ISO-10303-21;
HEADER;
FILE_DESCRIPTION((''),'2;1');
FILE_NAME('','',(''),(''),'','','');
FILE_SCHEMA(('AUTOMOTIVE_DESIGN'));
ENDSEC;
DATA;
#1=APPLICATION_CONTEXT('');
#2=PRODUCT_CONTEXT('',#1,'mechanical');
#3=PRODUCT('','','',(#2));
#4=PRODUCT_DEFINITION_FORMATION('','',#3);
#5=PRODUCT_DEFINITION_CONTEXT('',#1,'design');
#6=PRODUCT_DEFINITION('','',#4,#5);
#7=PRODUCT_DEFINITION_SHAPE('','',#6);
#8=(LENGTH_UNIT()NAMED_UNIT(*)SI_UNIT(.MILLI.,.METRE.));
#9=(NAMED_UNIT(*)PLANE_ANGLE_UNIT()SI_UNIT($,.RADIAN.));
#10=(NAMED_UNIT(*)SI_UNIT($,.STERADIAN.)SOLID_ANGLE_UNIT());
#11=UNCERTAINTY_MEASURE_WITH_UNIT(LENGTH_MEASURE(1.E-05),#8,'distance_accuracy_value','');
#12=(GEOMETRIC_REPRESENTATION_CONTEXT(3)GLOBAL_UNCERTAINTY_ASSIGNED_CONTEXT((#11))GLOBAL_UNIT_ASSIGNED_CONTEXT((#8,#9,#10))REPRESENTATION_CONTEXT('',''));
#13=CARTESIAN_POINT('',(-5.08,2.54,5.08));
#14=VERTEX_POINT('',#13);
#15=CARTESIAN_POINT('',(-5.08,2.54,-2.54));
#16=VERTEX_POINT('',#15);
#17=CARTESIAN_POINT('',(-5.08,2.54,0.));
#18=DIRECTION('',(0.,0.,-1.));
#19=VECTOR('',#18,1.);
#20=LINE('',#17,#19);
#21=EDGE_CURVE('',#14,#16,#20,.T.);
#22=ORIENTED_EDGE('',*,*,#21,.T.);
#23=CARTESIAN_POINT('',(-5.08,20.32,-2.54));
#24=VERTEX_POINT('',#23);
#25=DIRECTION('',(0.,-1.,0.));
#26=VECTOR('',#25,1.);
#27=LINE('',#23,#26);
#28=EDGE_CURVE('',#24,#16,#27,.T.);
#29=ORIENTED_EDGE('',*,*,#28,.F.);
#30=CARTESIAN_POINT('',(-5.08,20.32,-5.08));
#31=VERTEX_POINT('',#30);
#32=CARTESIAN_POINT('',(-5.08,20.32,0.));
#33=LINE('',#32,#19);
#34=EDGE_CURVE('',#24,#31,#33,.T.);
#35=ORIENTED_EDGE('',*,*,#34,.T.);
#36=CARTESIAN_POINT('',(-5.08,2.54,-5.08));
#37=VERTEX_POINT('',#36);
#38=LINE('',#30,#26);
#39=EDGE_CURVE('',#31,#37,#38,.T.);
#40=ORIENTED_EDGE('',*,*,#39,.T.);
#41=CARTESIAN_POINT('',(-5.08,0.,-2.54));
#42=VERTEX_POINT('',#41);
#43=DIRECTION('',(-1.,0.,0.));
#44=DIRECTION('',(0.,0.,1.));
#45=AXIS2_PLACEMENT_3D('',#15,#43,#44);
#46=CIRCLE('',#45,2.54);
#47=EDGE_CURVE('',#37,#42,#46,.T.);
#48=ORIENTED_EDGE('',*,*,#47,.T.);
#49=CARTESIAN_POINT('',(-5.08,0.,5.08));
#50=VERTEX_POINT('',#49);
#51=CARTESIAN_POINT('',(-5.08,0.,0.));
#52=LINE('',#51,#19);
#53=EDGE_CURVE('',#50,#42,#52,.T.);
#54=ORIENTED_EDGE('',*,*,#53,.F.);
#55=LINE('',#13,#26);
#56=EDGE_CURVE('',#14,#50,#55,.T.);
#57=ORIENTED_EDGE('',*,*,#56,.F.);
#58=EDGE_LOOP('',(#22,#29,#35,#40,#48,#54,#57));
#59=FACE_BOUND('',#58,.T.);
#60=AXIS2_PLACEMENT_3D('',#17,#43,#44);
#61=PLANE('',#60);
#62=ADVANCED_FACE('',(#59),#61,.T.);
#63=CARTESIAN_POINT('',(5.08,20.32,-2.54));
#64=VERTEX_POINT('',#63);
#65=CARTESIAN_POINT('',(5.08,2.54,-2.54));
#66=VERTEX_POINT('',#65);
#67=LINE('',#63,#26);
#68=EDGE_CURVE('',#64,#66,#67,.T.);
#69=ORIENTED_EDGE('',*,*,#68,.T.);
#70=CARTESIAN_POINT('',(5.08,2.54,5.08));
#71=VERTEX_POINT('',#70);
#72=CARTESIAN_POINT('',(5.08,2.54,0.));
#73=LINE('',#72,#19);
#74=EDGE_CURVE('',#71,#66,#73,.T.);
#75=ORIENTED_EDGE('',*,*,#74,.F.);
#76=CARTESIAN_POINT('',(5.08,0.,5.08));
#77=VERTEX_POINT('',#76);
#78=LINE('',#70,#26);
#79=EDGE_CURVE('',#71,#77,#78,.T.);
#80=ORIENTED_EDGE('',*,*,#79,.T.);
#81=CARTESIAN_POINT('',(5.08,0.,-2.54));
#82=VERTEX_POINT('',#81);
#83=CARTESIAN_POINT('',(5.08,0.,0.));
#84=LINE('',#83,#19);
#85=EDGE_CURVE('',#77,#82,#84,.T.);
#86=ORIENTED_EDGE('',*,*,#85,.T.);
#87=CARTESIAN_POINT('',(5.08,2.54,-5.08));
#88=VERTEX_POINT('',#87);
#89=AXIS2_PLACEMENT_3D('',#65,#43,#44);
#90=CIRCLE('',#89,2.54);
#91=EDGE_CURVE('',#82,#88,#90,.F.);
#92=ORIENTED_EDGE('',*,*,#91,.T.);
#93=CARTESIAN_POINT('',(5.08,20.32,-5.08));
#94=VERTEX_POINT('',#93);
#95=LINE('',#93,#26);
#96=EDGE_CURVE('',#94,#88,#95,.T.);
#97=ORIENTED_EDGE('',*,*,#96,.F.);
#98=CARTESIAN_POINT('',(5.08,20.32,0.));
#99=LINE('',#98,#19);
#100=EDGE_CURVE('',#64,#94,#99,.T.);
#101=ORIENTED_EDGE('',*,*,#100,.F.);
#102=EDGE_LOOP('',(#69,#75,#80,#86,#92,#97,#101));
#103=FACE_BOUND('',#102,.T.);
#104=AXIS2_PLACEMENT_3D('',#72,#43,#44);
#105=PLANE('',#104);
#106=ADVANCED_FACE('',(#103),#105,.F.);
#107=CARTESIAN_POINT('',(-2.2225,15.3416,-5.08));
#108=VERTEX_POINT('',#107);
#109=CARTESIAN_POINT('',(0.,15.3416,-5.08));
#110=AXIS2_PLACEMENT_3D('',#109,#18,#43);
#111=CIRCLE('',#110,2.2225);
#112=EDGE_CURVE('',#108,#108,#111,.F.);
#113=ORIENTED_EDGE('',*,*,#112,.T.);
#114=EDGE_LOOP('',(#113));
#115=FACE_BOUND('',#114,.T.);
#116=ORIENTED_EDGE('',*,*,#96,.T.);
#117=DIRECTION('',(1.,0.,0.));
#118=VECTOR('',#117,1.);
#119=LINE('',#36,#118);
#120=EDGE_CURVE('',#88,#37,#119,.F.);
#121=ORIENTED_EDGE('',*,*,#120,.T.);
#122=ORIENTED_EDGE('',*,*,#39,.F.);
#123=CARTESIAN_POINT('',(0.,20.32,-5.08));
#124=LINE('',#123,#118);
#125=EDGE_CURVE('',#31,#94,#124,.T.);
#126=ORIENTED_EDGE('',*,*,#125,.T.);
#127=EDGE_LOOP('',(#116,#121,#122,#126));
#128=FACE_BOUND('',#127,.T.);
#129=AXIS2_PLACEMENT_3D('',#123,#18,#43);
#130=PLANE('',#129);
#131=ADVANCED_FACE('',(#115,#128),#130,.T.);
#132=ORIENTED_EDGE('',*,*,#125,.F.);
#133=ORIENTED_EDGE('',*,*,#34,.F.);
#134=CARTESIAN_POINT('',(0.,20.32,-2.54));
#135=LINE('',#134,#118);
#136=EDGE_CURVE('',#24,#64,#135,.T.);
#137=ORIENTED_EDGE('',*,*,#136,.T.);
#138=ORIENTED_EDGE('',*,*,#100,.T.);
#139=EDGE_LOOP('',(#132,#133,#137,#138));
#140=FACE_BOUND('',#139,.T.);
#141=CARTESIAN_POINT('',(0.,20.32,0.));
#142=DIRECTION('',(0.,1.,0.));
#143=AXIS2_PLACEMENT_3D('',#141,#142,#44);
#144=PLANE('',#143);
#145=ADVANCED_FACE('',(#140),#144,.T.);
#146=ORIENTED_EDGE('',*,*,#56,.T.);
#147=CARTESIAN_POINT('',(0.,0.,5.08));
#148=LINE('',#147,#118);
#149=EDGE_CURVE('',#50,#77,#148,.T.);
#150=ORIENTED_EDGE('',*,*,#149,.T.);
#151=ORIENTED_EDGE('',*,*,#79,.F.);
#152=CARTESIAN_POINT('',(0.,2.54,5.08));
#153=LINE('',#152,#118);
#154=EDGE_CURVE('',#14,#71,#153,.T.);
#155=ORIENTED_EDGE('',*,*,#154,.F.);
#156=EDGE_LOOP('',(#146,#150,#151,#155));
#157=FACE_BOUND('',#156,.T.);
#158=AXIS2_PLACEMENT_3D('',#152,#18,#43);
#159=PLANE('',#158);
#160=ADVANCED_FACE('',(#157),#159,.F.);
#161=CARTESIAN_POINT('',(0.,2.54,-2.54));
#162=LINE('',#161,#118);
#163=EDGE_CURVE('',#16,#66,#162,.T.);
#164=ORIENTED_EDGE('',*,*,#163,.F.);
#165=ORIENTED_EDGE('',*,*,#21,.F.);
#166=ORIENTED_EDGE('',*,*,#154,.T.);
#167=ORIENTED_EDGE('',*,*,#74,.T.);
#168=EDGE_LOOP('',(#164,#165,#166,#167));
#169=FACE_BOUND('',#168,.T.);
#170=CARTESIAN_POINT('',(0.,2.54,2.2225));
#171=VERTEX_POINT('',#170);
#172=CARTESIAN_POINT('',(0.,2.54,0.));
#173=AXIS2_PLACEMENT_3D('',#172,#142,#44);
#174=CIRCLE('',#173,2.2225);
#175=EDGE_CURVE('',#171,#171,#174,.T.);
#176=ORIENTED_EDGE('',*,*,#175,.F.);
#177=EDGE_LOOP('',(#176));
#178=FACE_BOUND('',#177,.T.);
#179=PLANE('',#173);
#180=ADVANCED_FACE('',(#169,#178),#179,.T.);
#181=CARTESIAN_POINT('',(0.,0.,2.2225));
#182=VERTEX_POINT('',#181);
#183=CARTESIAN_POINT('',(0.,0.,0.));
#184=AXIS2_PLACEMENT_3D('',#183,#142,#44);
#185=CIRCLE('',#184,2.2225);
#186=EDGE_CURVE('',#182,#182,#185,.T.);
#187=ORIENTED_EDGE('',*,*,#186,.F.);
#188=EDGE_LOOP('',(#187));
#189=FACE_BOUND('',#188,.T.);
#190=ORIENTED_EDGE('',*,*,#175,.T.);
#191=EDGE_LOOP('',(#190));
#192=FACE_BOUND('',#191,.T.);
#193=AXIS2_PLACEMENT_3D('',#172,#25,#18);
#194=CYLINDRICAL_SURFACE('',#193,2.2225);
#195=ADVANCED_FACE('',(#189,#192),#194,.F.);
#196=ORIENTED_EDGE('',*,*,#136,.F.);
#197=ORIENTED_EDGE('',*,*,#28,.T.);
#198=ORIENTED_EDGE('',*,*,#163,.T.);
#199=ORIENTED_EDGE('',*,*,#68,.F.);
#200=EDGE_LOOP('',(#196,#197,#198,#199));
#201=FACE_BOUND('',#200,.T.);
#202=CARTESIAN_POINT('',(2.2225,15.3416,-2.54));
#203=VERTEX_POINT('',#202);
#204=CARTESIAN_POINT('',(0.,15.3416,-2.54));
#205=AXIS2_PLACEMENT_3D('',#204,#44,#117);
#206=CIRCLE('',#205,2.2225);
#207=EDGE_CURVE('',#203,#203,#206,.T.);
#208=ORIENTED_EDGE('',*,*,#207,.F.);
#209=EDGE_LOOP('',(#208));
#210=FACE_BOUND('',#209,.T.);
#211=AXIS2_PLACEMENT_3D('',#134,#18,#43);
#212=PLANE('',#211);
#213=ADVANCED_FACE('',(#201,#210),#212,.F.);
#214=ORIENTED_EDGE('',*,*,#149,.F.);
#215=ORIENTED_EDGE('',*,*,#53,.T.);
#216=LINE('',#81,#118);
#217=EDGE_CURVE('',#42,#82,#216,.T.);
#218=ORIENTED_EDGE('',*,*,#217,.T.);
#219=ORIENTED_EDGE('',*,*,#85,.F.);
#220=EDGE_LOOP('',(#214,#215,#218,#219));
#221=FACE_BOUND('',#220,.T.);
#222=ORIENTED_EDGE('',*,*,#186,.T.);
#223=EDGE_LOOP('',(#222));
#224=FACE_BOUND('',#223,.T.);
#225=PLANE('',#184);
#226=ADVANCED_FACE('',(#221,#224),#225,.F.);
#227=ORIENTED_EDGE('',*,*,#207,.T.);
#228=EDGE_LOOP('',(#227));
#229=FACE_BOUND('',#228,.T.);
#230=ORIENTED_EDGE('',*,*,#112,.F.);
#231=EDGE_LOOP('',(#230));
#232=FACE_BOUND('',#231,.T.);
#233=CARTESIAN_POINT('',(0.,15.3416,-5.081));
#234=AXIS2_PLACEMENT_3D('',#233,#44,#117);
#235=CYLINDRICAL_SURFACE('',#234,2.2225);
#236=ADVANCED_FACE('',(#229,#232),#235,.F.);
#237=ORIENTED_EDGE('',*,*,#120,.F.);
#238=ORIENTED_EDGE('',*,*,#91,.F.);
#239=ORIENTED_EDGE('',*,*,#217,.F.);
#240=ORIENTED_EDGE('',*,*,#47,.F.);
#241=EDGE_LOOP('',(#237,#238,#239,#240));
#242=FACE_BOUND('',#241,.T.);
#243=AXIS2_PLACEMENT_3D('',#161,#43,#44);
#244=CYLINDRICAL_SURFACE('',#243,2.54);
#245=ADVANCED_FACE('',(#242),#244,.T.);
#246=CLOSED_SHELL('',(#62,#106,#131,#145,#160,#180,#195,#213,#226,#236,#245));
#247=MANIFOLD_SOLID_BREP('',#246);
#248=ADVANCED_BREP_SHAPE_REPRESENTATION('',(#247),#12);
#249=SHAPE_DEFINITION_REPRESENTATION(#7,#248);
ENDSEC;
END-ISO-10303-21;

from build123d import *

# Parameters (mm, degrees)
SKETCH1_W           = 10.16
SKETCH1_H           = 7.62
SKETCH1_R           = 2.2225
BOSS_EXTRUDE1_DEPTH = 2.54
SKETCH1_4_W         = 10.16
SKETCH1_4_H         = 2.54
BOSS_EXTRUDE2_DEPTH = 20.32
FILLET1_R           = 2.54
CUT_EXTRUDE1_REACH  = 24.288
SKETCH2_R           = 2.2225


with BuildPart() as part:
    # Sketch1 → Boss-Extrude1 (new body)
    with BuildSketch(Plane(origin=(0, 0, 0), x_dir=(1, 0, 0), z_dir=(0, 1, 0))):
        with Locations((0, -1.27)):
            Rectangle(SKETCH1_W, SKETCH1_H)
        Circle(SKETCH1_R, mode=Mode.SUBTRACT)
    extrude(amount=BOSS_EXTRUDE1_DEPTH)

    # Sketch1<4> → Boss-Extrude2 (add)
    with BuildSketch(Plane(origin=(0, 0, 0), x_dir=(1, 0, 0), z_dir=(0, 1, 0))):
        with Locations((0, 3.81)):
            Rectangle(SKETCH1_4_W, SKETCH1_4_H)
    extrude(amount=BOSS_EXTRUDE2_DEPTH)

    # Fillet1
    fillet1_edges = [part.edges().sort_by_distance(p)[0] for p in [
        (0, 0, -5.08),
    ]]
    fillet(fillet1_edges, radius=FILLET1_R)

    # Sketch2 → Cut-Extrude1 (cut, up to next)
    with BuildSketch(Plane.XY.offset(-2.54), mode=Mode.PRIVATE) as cut_extrude1_sk1:
        with Locations((0, 15.3416)):
            Circle(SKETCH2_R)
    cut_extrude1_tool1 = extrude(cut_extrude1_sk1.sketch, amount=-CUT_EXTRUDE1_REACH, mode=Mode.PRIVATE) & part.part
    add(cut_extrude1_tool1.solids().sort_by_distance((0, 15.3416, -2.54))[0], mode=Mode.SUBTRACT)


solid = part.part
